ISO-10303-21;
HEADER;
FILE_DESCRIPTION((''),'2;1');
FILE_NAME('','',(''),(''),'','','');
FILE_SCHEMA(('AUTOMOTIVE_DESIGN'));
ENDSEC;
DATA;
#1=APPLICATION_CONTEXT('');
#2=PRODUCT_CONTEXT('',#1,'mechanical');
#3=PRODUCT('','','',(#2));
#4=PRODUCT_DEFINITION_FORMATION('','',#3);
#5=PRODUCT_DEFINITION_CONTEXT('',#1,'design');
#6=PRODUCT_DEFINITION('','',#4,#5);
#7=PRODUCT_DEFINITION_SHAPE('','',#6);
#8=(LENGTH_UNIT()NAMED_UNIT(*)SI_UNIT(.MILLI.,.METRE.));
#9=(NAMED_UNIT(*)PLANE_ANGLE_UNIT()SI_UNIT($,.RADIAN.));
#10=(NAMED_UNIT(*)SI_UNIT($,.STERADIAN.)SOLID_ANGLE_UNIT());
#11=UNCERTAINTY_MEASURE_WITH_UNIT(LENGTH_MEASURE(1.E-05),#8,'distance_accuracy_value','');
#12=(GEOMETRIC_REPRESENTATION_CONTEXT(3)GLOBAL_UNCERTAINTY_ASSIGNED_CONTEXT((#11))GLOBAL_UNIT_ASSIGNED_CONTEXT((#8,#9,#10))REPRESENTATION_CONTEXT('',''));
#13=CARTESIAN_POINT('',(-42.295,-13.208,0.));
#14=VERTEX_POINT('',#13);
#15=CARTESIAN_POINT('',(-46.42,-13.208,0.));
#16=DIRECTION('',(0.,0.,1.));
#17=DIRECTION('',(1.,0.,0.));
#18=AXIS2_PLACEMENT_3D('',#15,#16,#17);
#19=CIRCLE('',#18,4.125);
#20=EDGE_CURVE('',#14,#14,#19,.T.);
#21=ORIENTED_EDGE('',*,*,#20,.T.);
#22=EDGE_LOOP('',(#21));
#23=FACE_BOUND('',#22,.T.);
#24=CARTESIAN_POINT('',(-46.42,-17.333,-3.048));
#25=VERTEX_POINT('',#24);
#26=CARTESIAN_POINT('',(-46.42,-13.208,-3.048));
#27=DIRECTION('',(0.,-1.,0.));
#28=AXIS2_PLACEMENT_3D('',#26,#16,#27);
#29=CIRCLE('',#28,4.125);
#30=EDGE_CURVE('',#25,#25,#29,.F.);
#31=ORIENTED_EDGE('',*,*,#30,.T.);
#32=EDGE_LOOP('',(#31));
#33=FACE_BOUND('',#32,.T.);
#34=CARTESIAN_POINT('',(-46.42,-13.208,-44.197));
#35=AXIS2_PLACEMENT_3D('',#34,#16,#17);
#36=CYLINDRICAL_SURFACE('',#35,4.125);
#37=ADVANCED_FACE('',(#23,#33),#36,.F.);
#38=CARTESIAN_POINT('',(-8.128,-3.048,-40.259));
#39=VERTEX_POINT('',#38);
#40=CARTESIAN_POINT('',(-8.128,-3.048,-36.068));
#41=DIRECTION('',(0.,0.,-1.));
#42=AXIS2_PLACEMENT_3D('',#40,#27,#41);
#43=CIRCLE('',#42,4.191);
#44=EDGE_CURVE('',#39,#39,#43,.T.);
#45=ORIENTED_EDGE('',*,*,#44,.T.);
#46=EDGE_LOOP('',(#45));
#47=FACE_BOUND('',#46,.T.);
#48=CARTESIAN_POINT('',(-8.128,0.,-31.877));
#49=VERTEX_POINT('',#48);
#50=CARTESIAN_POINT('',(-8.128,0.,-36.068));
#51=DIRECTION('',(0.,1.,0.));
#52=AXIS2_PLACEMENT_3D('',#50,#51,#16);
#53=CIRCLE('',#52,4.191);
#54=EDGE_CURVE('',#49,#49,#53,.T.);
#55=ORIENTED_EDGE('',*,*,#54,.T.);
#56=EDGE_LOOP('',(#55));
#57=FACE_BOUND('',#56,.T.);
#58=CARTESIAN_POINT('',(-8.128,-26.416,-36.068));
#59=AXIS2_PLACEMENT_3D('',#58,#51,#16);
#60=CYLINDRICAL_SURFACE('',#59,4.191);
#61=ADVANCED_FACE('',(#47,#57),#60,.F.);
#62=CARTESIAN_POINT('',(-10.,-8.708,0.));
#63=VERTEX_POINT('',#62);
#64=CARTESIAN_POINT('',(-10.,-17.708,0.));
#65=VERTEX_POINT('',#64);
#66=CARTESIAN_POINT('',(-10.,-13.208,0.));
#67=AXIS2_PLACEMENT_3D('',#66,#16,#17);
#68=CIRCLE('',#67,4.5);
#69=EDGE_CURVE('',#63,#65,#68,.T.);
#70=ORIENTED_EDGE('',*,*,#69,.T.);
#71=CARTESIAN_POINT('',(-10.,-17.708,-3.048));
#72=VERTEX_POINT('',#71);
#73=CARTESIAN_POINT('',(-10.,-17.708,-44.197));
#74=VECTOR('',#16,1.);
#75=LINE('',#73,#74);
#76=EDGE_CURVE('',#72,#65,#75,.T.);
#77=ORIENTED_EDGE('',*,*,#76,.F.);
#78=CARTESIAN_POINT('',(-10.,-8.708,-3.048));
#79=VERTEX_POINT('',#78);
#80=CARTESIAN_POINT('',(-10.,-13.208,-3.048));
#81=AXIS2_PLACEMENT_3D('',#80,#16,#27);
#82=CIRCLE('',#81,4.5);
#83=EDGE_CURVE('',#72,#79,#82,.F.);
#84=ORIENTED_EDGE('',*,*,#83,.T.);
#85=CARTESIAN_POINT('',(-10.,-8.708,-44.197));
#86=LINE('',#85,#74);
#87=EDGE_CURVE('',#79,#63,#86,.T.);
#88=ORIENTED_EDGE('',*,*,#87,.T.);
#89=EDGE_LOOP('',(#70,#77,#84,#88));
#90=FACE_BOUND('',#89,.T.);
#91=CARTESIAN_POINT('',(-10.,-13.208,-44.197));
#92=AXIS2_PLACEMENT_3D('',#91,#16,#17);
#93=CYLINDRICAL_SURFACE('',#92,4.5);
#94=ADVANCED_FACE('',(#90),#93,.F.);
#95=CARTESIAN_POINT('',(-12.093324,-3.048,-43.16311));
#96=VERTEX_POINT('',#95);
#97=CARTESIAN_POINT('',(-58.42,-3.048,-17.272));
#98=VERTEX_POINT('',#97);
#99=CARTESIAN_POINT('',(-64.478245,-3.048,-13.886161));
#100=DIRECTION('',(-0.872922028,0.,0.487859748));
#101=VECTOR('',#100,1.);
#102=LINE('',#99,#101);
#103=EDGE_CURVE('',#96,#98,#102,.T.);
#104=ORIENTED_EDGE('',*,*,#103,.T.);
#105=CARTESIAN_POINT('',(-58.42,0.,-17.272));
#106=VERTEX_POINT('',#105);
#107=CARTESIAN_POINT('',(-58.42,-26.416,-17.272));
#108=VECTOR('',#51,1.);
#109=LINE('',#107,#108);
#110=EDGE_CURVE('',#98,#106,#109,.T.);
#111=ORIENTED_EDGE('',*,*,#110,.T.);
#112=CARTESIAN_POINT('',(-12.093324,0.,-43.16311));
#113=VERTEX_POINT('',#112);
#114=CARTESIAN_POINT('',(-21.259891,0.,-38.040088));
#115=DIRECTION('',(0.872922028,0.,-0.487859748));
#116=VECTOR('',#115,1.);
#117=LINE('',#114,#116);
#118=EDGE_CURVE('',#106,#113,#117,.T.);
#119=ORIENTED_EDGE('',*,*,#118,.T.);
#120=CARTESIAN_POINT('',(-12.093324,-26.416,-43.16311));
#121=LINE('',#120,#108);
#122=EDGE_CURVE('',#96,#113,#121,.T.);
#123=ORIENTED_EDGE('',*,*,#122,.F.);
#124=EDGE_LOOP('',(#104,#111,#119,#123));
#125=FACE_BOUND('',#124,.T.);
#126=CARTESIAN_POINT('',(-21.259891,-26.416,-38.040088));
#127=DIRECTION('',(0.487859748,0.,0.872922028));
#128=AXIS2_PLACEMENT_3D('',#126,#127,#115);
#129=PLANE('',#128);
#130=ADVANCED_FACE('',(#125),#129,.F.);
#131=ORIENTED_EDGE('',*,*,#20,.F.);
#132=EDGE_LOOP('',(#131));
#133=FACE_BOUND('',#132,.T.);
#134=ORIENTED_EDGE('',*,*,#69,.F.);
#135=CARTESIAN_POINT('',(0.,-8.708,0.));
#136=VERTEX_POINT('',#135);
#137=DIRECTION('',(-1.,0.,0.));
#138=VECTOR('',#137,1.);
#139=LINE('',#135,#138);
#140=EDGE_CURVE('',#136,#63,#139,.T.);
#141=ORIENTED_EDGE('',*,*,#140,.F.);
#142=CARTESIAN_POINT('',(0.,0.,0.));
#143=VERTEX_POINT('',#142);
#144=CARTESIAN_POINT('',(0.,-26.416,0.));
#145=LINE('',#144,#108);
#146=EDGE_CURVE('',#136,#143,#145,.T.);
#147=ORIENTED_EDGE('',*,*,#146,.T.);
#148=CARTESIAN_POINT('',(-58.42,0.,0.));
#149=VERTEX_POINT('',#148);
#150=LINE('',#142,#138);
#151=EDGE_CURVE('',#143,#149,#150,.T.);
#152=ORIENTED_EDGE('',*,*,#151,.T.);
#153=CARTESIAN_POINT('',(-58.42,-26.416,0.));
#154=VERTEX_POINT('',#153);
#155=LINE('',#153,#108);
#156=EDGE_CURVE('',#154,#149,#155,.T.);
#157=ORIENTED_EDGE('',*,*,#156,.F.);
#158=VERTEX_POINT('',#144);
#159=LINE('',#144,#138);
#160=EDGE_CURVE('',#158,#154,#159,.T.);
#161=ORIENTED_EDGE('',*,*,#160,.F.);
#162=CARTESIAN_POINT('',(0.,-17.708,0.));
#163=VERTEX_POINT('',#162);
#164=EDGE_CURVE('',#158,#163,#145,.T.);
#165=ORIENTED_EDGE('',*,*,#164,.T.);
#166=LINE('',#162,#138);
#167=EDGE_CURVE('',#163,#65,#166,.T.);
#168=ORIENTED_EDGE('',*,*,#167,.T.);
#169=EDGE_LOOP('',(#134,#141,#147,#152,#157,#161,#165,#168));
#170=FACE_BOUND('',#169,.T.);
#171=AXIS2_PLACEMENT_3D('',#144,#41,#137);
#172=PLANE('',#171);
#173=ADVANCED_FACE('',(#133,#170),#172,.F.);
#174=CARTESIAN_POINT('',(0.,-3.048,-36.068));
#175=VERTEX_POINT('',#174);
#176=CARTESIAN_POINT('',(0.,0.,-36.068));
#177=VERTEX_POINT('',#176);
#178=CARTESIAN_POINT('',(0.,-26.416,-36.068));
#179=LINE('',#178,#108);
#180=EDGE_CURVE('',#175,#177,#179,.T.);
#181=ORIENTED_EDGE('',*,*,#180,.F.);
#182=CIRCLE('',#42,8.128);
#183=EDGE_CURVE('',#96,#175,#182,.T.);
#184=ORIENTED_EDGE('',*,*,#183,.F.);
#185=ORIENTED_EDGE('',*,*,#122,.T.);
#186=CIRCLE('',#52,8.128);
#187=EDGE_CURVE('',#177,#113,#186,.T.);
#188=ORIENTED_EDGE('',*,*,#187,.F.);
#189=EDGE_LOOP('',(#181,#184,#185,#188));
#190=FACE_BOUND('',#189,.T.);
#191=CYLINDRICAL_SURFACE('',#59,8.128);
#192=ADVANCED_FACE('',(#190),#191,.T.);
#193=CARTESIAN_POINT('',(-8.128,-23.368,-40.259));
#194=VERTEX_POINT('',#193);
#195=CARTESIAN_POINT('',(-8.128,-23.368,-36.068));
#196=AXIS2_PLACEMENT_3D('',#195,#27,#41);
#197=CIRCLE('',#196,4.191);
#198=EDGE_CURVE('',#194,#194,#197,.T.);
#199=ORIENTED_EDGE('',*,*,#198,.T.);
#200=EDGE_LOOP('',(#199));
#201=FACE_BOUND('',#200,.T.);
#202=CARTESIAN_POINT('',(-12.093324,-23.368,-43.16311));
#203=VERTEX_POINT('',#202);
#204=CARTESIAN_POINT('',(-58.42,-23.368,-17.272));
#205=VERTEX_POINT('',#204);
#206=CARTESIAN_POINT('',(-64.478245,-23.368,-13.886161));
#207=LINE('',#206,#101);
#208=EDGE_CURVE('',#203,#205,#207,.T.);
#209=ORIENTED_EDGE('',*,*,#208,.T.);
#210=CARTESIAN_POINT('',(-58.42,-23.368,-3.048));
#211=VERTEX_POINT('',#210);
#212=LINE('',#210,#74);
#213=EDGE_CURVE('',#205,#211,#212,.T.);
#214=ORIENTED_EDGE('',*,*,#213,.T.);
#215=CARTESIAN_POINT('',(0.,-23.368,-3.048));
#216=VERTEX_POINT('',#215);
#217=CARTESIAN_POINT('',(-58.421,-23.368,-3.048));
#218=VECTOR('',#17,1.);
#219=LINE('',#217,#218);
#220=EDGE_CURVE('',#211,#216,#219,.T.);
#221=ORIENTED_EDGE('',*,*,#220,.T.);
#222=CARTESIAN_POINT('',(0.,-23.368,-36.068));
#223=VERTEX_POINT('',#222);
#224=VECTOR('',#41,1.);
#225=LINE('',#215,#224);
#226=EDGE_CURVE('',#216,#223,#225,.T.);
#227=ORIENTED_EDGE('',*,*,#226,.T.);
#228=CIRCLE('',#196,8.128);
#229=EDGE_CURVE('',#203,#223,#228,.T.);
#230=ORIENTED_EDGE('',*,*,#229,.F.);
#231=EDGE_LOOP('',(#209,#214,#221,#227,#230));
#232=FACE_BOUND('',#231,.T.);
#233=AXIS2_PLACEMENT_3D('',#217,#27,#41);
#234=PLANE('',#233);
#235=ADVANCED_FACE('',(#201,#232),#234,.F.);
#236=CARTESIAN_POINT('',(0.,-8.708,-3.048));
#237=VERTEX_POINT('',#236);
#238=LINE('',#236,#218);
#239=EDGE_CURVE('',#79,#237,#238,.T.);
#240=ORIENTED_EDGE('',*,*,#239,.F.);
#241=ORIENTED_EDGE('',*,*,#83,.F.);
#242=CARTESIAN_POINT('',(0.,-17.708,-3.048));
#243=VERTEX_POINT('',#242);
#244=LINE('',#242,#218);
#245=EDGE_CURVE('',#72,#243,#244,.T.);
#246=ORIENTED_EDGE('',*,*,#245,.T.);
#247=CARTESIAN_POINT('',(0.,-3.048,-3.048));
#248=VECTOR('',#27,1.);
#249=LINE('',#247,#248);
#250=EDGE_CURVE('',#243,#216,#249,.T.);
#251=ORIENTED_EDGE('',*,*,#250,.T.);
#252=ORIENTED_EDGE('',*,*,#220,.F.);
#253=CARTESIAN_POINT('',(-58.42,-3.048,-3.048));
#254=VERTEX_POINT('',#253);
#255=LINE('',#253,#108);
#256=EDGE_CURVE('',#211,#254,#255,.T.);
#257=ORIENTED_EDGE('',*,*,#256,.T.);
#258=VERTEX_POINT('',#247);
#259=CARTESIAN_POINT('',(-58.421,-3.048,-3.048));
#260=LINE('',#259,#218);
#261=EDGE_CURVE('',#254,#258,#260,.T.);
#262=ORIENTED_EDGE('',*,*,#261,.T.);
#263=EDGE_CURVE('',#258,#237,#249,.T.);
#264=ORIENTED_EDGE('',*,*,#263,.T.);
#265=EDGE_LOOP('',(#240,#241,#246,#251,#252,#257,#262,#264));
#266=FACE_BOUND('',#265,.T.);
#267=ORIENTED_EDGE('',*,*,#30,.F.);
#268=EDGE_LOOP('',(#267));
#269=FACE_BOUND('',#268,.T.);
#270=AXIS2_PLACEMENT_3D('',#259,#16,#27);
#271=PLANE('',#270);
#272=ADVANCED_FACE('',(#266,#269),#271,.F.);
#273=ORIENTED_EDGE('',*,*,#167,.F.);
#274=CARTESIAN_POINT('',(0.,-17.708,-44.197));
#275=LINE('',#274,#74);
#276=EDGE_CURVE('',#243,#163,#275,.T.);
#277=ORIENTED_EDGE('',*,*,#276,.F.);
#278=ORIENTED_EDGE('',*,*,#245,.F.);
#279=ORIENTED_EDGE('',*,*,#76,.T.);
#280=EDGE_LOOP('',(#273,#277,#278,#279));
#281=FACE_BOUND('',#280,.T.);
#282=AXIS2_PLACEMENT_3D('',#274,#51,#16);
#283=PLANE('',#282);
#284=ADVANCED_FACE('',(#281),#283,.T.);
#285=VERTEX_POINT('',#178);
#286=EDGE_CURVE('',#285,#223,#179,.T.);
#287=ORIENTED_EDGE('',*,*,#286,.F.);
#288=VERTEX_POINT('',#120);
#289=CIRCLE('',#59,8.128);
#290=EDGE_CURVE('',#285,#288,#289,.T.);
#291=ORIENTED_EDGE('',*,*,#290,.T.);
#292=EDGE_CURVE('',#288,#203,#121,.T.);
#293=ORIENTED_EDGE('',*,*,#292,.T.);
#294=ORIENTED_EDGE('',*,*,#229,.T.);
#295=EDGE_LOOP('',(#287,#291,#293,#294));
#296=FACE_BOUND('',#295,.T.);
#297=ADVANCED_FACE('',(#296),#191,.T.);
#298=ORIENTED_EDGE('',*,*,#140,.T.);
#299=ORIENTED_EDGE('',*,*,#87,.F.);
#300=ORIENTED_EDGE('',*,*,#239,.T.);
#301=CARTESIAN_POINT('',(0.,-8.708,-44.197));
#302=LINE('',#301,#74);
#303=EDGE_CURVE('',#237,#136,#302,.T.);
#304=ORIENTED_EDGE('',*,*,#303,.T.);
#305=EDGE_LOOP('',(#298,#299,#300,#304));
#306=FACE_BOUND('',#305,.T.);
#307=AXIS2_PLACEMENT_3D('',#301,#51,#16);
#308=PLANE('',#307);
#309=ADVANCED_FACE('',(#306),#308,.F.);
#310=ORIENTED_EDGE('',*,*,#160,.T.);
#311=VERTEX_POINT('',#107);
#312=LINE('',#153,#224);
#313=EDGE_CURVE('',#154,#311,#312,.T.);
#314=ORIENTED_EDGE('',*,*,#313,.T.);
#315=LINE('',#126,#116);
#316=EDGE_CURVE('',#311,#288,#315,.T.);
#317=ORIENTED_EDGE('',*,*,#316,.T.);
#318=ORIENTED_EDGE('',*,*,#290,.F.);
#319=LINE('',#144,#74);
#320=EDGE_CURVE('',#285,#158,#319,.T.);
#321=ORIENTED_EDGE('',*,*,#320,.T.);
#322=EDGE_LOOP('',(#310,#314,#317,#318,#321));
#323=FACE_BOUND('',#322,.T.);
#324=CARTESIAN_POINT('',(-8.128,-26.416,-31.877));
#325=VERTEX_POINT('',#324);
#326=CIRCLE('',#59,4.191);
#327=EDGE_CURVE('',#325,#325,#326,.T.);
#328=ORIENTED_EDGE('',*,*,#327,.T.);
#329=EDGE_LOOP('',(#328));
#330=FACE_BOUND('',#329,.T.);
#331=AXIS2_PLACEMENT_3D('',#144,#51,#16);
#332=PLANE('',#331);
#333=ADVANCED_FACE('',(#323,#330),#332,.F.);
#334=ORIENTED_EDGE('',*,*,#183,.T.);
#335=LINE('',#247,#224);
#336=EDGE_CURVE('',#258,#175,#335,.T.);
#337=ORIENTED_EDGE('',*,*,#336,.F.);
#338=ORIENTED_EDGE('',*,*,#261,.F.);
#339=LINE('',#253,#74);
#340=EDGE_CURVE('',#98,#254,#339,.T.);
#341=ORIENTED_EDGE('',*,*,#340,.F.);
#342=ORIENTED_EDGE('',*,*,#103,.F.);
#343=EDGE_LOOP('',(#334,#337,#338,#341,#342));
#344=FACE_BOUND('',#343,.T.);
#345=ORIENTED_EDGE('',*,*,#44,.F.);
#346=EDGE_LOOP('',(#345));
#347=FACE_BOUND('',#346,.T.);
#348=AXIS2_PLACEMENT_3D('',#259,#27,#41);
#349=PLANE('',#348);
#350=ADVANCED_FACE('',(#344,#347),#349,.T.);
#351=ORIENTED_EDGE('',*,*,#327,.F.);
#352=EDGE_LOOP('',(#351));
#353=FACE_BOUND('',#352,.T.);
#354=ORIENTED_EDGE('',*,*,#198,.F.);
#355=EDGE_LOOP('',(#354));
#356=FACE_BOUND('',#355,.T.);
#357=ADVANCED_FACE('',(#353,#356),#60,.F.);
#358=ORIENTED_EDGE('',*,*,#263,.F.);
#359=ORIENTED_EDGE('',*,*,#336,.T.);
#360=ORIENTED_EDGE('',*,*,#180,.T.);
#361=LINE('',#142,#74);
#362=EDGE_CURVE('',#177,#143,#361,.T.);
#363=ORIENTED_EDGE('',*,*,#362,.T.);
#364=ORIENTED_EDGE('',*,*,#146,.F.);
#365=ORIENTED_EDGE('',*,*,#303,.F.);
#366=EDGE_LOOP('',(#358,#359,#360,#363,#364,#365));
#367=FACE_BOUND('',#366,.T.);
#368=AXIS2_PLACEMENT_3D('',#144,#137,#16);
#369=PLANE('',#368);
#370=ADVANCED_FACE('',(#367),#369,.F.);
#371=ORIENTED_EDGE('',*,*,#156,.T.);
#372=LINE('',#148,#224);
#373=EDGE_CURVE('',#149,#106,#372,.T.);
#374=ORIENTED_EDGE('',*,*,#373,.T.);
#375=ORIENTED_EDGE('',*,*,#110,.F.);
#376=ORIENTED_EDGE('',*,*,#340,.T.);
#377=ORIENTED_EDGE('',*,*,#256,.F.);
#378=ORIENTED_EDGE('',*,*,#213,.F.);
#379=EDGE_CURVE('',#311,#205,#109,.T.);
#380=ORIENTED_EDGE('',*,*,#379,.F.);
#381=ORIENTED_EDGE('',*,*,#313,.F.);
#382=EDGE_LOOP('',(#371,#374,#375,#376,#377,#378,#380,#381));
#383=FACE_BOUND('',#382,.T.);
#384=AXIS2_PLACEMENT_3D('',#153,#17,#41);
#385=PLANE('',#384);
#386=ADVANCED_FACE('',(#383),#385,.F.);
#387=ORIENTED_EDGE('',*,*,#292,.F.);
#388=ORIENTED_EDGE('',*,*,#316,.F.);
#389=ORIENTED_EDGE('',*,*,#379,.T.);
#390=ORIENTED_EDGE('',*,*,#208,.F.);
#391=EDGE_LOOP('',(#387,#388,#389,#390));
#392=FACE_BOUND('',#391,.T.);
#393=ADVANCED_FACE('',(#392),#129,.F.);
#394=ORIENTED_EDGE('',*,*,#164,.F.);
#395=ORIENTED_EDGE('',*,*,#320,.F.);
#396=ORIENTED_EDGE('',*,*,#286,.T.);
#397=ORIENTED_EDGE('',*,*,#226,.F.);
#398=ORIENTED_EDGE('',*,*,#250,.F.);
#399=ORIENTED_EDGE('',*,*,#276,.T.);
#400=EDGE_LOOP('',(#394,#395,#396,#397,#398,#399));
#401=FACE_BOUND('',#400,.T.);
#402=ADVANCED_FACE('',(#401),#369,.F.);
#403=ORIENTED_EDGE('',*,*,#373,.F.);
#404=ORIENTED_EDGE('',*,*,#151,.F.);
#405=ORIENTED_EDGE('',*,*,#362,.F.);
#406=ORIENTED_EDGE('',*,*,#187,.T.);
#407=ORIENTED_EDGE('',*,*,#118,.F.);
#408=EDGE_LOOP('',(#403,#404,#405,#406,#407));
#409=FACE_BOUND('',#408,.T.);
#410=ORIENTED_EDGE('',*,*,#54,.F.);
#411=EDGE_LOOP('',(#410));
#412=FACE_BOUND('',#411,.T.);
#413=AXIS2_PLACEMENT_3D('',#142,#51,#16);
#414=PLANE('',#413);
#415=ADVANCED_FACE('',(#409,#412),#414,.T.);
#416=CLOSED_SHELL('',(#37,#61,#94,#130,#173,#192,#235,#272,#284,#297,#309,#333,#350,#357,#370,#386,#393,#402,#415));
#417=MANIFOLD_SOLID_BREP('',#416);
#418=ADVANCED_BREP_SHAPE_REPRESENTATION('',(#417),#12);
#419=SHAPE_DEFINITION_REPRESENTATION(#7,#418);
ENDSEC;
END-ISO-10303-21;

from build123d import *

# Parameters (mm, degrees)
SKETCH1_R           = 8.128
SKETCH1_R_2         = 4.191
BOSS_EXTRUDE1_DEPTH = 26.416
CUT_EXTRUDE1_REACH  = 60.42
SKETCH2_W           = 41.148
SKETCH2_H           = 20.32
CUT_EXTRUDE2_REACH  = 46.196
SKETCH3_R           = 4.125


with BuildPart() as part:
    # Sketch1 → Boss-Extrude1 (new body)
    with BuildSketch(Plane(origin=(0, 0, 0), x_dir=(1, 0, 0), z_dir=(0, 1, 0))):
        with BuildLine():
            Line((-58.42, 0), (0, 0))
            Line((0, 0), (0, 36.068))
            ThreePointArc((0, 36.068), (-12.241042079, 29.057488688), (-12.09332403, 43.163110242))
            Line((-12.09332403, 43.163110242), (-58.42, 17.272))
            Line((-58.42, 17.272), (-58.42, 0))
        make_face()
        with Locations((-8.128, 36.068)):
            Circle(SKETCH1_R)
        with Locations(Location((-8.128, 36.068, 0), (0, 0, 270))):  # turned: the seam where the file's is
            Circle(SKETCH1_R_2, mode=Mode.SUBTRACT)
    extrude(amount=-BOSS_EXTRUDE1_DEPTH)

    # Sketch2 → Cut-Extrude1 (cut, up to next)
    with BuildSketch(Plane(origin=(0, 0, 0), x_dir=(0, 0, -1), z_dir=(1, 0, 0)), mode=Mode.PRIVATE) as cut_extrude1_sk1:
        with Locations((23.622, -13.208)):
            Rectangle(SKETCH2_W, SKETCH2_H)
    cut_extrude1_tool1 = extrude(cut_extrude1_sk1.sketch, amount=-CUT_EXTRUDE1_REACH, mode=Mode.PRIVATE) & part.part
    add(cut_extrude1_tool1.solids().sort_by_distance((0, -13.208, -23.622))[0], mode=Mode.SUBTRACT)

    # Sketch3 → Cut-Extrude2 (cut, up to next)
    with BuildSketch(Plane.XY, mode=Mode.PRIVATE) as cut_extrude2_sk1:
        with Locations((-46.42, -13.208)):
            Circle(SKETCH3_R)
    cut_extrude2_tool1 = extrude(cut_extrude2_sk1.sketch, amount=-CUT_EXTRUDE2_REACH, mode=Mode.PRIVATE) & part.part
    add(cut_extrude2_tool1.solids().sort_by_distance((-46.42, -13.208, 0))[0], mode=Mode.SUBTRACT)
    # Sketch3 → Cut-Extrude2 (cut, up to next)
    with BuildSketch(Plane.XY, mode=Mode.PRIVATE) as cut_extrude2_sk2:
        with BuildLine():
            Line((0, -13.208), (0, -8.708))
            Line((0, -8.708), (-10, -8.708))
            ThreePointArc((-10, -8.708), (-14.5, -13.208), (-10, -17.708))
            Line((-10, -17.708), (0, -17.708))
            Line((0, -17.708), (0, -13.208))
        make_face()
    cut_extrude2_tool2 = extrude(cut_extrude2_sk2.sketch, amount=-CUT_EXTRUDE2_REACH, mode=Mode.PRIVATE) & part.part
    add(cut_extrude2_tool2.solids().sort_by_distance((-6.804413, -13.208, 0))[0], mode=Mode.SUBTRACT)


solid = part.part
